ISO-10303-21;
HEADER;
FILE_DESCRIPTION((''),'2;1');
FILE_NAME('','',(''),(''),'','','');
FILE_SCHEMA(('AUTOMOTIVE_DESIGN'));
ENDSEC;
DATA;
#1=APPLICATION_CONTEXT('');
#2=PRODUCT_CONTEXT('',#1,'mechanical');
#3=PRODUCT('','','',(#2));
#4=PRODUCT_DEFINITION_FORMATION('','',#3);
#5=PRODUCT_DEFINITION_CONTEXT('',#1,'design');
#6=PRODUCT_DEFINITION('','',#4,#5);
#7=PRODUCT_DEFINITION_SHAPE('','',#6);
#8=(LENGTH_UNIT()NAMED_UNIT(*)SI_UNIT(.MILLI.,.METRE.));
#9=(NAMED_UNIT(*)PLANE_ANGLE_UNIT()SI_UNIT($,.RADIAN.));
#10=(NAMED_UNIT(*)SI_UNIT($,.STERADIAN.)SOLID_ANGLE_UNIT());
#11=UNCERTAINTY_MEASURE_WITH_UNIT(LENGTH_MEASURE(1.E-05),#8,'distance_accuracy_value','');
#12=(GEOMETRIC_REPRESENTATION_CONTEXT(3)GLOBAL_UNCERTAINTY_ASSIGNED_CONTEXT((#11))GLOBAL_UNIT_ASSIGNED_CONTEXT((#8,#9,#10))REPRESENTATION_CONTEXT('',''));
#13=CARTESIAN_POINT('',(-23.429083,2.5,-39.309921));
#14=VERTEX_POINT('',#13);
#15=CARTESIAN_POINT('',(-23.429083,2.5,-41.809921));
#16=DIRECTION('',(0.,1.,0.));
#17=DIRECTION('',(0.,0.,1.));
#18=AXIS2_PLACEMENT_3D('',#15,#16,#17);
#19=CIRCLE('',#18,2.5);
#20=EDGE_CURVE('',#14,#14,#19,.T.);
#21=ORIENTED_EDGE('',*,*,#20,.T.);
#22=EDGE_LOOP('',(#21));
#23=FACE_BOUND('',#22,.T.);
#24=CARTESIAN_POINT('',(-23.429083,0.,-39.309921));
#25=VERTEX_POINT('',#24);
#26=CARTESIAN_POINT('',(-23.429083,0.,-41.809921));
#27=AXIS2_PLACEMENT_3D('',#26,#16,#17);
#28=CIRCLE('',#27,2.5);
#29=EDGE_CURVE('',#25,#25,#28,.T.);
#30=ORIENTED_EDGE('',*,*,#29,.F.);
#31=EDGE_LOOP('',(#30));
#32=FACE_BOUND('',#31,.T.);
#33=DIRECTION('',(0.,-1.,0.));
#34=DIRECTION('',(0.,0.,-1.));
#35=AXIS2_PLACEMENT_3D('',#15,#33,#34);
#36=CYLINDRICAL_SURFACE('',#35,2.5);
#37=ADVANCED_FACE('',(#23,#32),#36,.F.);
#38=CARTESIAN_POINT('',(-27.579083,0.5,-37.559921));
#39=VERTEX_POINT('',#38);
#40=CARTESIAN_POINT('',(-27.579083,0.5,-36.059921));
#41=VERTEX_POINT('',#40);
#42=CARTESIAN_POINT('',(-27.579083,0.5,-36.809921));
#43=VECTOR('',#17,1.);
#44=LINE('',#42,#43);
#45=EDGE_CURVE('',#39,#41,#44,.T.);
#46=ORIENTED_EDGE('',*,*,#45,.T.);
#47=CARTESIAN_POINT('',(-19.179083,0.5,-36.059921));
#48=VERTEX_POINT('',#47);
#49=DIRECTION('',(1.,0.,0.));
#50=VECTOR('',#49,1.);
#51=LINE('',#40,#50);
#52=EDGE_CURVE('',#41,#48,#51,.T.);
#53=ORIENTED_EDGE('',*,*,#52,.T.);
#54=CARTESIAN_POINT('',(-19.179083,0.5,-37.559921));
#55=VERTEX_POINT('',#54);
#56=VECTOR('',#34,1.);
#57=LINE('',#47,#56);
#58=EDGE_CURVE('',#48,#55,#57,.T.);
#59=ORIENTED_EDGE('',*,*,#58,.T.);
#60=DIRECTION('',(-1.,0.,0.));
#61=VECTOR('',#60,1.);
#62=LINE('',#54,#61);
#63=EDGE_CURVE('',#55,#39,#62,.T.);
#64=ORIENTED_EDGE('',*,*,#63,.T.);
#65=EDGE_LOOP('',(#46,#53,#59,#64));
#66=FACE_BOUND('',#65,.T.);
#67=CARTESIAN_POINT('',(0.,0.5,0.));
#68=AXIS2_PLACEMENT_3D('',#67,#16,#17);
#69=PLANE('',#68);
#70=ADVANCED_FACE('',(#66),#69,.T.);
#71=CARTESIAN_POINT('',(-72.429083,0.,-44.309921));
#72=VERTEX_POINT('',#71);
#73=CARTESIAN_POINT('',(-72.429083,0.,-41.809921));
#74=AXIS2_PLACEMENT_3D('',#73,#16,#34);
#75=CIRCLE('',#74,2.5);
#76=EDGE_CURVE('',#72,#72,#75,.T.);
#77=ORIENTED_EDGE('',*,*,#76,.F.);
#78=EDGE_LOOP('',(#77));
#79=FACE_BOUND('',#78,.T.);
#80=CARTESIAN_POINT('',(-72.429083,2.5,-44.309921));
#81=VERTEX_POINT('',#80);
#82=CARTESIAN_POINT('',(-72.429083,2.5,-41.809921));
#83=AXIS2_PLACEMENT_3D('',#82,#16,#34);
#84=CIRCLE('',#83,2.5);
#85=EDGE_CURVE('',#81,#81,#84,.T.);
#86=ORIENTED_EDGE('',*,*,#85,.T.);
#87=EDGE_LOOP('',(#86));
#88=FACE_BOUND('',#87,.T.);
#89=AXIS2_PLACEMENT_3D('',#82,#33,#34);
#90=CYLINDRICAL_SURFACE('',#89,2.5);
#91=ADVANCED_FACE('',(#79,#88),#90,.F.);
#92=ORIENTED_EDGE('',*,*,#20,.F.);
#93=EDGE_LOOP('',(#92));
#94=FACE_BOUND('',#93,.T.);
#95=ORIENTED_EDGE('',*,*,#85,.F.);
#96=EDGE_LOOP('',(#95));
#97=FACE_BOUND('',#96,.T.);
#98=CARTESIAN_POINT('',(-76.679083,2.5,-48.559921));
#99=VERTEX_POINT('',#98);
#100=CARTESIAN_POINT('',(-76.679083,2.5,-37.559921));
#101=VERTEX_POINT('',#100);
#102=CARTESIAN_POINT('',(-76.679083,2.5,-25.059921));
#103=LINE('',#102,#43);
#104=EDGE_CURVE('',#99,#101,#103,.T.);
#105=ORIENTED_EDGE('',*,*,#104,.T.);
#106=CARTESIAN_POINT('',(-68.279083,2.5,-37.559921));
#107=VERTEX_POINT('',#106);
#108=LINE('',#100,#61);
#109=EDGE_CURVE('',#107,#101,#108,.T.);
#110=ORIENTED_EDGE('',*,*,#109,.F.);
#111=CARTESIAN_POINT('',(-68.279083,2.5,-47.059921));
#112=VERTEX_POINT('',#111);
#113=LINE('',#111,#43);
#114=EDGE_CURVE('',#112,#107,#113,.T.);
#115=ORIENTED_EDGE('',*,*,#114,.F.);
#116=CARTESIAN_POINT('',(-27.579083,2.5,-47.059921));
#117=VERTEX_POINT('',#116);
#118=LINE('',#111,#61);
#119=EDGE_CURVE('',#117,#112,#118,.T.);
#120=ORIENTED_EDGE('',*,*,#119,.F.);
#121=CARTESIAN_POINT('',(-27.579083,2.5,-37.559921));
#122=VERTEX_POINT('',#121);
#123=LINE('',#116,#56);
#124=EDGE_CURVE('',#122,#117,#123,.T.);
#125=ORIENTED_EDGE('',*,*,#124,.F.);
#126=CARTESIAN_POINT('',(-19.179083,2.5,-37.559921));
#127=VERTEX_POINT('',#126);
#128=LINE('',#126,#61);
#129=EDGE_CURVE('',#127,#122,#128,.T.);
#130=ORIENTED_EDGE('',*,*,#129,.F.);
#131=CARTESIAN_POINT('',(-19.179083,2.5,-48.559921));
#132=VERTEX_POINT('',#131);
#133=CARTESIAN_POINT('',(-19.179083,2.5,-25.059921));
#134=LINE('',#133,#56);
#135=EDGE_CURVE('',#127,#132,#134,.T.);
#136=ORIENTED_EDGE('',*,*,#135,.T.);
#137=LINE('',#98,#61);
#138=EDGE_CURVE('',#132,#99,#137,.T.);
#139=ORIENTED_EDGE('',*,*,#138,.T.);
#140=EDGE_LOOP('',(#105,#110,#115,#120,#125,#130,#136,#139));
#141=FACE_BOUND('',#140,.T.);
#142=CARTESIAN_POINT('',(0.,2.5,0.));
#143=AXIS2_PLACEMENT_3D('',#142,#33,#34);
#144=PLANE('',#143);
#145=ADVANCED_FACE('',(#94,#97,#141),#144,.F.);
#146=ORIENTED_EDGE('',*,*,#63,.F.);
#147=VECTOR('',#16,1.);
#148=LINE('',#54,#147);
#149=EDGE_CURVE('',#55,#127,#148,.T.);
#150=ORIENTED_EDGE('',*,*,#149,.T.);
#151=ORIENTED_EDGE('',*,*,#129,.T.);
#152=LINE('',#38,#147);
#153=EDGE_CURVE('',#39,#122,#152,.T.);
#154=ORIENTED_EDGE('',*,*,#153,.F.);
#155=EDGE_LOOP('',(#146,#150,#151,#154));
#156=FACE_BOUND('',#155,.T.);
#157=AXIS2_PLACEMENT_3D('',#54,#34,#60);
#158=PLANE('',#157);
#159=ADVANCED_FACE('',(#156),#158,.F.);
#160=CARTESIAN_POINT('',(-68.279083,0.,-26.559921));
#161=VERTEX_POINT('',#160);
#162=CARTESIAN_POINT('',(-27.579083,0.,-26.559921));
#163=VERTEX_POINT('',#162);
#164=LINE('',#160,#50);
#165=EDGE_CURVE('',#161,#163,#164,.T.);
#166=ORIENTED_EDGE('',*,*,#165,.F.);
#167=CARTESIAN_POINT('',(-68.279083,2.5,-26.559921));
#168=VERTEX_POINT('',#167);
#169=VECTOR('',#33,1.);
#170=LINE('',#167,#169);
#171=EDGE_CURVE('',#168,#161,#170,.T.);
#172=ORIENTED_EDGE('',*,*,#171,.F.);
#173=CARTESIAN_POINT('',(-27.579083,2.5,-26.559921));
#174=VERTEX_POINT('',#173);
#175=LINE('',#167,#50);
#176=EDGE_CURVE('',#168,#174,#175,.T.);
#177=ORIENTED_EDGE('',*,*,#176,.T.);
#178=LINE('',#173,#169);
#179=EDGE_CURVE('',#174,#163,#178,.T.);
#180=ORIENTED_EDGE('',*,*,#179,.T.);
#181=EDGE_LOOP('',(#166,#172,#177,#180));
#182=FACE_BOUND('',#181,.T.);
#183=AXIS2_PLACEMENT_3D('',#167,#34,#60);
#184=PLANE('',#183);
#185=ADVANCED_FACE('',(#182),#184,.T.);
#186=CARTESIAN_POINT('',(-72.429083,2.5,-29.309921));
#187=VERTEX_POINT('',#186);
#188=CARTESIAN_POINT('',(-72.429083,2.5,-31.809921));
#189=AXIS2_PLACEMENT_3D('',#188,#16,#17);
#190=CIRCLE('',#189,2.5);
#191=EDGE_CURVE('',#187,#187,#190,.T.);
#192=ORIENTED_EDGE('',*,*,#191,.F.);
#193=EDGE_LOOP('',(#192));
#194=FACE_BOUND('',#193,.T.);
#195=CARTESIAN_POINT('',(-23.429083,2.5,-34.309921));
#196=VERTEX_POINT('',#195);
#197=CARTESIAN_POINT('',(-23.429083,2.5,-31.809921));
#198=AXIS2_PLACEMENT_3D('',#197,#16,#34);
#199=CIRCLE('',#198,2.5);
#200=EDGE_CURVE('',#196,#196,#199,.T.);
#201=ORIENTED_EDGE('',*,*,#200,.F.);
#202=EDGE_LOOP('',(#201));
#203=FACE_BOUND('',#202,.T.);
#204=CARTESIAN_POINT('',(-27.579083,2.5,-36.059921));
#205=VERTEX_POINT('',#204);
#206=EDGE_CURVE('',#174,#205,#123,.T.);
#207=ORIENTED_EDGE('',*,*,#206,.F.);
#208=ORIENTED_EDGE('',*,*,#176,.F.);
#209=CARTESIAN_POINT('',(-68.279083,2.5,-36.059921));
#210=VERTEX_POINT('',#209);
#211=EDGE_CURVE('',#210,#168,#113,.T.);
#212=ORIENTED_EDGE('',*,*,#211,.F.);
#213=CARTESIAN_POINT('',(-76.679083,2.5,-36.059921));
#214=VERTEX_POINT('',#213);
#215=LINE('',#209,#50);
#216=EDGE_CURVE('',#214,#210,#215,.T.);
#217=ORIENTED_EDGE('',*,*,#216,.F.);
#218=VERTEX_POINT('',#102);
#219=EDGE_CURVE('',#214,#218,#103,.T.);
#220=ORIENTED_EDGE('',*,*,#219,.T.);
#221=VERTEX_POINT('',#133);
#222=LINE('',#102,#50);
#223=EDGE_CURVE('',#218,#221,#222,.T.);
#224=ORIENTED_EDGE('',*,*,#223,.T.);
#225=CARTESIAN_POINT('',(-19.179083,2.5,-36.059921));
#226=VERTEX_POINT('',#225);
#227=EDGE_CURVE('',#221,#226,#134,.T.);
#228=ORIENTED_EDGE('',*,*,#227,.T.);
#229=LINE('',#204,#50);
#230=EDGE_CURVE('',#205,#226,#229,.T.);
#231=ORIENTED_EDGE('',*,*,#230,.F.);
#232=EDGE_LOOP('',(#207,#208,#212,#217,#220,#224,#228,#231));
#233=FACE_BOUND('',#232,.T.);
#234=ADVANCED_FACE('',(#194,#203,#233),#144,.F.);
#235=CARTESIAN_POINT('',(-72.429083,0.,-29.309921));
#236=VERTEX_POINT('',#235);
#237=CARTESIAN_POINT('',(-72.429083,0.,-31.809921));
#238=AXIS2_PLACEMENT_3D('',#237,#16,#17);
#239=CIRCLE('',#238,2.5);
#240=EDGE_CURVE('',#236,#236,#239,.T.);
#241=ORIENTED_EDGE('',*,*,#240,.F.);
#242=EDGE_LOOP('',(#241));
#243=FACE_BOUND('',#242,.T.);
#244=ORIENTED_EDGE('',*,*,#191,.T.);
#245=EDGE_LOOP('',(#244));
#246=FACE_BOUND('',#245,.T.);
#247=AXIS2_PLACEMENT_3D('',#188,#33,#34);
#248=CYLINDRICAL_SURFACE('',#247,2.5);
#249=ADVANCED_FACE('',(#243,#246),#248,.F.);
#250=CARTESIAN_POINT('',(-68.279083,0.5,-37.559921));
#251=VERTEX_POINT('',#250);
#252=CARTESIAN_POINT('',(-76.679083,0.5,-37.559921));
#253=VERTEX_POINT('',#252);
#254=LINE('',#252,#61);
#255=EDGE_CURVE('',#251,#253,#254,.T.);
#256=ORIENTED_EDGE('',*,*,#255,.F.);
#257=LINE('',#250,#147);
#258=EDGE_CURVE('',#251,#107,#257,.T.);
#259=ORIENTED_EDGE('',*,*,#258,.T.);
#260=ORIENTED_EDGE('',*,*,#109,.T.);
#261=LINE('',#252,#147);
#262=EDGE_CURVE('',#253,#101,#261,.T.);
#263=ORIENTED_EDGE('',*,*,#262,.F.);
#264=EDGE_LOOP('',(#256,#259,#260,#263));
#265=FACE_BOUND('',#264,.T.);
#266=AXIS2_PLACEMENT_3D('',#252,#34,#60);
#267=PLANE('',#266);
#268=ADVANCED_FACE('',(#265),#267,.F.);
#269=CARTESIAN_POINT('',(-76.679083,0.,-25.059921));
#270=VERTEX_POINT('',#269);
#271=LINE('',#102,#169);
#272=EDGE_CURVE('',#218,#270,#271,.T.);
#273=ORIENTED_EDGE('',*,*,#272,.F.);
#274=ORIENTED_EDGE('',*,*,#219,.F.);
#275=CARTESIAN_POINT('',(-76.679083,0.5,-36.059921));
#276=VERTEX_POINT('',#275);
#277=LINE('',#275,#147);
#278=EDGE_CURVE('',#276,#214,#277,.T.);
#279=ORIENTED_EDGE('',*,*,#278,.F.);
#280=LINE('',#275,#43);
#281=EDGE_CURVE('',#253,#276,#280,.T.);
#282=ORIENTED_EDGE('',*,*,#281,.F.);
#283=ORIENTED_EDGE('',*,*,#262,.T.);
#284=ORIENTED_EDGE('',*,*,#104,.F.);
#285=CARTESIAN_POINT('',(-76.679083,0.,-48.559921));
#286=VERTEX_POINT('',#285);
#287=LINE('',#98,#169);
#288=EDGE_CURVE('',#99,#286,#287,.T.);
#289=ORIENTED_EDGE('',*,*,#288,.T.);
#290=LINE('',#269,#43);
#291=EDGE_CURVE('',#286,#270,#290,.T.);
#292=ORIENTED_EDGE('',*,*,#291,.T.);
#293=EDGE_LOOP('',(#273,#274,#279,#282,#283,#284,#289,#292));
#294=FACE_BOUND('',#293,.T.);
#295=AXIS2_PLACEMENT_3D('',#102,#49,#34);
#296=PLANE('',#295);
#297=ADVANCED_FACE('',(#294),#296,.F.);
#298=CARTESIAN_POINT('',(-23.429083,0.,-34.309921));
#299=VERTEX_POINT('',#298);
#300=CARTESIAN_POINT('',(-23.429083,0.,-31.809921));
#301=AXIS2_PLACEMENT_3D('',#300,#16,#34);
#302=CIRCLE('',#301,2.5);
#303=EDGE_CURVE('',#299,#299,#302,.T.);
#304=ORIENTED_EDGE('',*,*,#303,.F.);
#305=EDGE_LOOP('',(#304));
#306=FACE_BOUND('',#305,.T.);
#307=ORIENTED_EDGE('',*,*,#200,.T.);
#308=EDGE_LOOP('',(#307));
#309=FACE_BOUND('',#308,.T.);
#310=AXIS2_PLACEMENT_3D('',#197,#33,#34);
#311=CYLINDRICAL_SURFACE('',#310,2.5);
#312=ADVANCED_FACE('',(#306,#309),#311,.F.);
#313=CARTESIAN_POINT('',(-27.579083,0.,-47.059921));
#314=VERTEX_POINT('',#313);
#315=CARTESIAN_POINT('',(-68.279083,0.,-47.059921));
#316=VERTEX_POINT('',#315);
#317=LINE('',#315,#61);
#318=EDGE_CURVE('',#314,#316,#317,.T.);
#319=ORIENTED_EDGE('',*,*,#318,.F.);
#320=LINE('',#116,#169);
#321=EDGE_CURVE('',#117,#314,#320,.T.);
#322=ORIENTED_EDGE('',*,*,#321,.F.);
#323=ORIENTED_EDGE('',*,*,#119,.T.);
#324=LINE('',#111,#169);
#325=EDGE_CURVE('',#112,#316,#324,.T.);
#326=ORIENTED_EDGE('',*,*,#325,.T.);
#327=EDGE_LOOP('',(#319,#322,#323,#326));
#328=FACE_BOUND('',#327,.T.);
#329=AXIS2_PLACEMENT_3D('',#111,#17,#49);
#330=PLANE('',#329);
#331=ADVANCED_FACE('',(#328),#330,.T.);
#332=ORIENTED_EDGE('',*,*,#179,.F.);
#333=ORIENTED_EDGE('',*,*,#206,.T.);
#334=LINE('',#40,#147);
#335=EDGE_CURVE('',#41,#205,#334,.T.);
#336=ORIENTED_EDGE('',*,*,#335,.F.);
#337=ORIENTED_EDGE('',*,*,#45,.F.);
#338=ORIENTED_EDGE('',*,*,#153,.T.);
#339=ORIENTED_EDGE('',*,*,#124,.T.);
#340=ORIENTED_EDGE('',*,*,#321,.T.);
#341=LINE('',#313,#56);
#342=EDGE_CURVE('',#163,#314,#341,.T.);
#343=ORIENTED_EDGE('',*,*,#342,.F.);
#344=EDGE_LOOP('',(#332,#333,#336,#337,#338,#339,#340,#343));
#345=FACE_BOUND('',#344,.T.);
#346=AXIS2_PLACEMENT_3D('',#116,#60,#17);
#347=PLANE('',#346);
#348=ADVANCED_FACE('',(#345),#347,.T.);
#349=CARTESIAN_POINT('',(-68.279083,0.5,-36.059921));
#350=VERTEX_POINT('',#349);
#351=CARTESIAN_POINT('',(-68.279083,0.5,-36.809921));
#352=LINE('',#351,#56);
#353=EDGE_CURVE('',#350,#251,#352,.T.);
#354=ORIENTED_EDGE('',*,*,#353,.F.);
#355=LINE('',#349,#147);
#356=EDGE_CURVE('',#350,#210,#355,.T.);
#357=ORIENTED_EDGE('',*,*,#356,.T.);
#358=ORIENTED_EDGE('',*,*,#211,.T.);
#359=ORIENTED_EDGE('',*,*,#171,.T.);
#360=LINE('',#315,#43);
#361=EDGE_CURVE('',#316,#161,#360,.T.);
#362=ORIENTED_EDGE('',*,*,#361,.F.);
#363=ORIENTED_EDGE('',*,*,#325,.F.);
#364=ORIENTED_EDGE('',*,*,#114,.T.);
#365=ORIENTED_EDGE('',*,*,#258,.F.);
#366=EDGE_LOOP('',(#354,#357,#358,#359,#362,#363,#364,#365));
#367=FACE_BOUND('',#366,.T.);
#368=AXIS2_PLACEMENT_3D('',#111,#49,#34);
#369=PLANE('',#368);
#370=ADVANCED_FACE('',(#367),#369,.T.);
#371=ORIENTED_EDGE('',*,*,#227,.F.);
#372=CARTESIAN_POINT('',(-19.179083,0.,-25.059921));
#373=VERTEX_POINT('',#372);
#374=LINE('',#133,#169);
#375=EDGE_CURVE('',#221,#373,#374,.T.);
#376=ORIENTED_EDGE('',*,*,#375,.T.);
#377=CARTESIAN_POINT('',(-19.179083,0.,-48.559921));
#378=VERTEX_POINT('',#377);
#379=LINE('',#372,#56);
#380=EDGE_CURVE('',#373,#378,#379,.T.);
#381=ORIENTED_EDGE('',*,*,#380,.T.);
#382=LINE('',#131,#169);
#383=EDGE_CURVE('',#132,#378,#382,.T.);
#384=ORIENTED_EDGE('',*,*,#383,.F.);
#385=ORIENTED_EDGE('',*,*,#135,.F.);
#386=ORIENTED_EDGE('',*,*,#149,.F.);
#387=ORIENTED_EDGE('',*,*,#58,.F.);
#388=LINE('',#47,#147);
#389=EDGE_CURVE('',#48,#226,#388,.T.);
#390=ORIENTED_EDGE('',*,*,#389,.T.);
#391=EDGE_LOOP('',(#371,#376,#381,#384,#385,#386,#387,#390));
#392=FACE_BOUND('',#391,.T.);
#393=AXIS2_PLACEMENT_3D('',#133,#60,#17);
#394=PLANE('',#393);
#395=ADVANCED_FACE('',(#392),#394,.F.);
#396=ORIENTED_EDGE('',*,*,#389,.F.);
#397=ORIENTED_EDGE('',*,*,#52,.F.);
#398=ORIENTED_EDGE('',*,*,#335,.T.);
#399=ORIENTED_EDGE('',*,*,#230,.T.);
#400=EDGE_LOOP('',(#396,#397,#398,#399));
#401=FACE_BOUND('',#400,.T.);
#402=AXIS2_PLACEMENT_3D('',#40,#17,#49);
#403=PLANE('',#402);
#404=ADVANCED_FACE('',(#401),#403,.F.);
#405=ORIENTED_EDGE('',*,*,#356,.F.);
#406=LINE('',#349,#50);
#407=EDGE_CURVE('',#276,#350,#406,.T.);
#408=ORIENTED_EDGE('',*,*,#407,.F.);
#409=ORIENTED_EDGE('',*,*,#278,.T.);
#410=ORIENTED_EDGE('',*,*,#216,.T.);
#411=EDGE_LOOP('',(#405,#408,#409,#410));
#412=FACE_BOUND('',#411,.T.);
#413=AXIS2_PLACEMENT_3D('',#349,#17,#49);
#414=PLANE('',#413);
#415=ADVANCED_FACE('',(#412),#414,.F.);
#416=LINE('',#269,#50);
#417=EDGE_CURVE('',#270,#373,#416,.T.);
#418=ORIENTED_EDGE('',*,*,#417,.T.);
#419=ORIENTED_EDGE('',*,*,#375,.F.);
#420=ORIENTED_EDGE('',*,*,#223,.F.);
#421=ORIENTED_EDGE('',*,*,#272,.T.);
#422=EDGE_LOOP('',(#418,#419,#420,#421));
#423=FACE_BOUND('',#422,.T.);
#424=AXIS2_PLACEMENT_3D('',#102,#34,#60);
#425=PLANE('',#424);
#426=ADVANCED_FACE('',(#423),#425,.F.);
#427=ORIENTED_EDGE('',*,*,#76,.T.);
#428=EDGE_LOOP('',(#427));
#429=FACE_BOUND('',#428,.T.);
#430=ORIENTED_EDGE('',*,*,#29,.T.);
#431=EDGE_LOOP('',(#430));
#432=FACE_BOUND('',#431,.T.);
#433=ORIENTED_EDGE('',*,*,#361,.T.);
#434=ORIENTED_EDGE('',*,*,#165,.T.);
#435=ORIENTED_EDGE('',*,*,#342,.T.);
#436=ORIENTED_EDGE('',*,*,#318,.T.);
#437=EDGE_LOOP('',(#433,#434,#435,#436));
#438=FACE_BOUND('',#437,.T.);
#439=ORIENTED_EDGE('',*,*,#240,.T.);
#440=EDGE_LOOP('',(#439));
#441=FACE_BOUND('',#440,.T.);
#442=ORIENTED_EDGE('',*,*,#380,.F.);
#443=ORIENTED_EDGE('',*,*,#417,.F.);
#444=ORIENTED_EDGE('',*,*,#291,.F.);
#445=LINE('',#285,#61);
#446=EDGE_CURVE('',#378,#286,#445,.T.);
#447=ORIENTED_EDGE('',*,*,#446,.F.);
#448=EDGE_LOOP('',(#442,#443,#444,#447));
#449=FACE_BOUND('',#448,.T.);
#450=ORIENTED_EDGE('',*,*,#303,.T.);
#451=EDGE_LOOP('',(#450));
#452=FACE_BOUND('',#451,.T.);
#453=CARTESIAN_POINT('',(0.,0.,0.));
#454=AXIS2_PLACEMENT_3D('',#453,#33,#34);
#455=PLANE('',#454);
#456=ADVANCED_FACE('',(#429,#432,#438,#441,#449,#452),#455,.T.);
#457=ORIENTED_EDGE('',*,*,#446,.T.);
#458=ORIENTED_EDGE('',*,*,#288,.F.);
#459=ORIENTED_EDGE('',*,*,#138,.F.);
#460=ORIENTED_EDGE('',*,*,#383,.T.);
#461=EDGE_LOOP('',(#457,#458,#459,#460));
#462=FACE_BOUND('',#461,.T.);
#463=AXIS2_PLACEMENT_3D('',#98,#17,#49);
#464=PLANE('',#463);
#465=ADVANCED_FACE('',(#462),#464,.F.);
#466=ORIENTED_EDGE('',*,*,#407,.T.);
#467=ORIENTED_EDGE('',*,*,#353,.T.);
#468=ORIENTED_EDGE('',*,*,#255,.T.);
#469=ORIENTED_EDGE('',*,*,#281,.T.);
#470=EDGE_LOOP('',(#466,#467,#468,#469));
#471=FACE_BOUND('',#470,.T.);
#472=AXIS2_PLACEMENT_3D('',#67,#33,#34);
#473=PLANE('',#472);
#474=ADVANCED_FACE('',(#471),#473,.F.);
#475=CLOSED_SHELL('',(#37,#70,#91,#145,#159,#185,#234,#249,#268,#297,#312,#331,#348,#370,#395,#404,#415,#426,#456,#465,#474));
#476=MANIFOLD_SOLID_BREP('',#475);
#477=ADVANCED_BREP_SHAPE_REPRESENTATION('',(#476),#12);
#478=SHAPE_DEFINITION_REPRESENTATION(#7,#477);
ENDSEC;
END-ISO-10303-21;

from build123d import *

# Parameters (mm, degrees)
SKETCH2_W           = 57.5
SKETCH2_H           = 23.5
SKETCH2_R           = 2.5
SKETCH2_W_2         = 40.7
SKETCH2_H_2         = 20.5
BOSS_EXTRUDE1_DEPTH = 2.5
CUT_EXTRUDE1_DEPTH  = 2


with BuildPart() as part:
    # Sketch2 → Boss-Extrude1 (new body)
    with BuildSketch(Plane(origin=(0, 0, 0), x_dir=(1, 0, 0), z_dir=(0, 1, 0))):
        with Locations((-47.929083034, 36.809921321)):
            Rectangle(SKETCH2_W, SKETCH2_H)
        with Locations(Location((-23.429083034, 41.809921321, 0), (0, 0, 270))):
            Circle(SKETCH2_R, mode=Mode.SUBTRACT)
        with Locations(Location((-23.429083034, 31.809921321, 0), (0, 0, 90))):
            Circle(SKETCH2_R, mode=Mode.SUBTRACT)
        with Locations(Location((-72.429083034, 31.809921321, 0), (0, 0, 270))):
            Circle(SKETCH2_R, mode=Mode.SUBTRACT)
        with Locations(Location((-72.429083034, 41.809921321, 0), (0, 0, 90))):
            Circle(SKETCH2_R, mode=Mode.SUBTRACT)
        with Locations((-47.929083034, 36.809921321)):
            Rectangle(SKETCH2_W_2, SKETCH2_H_2, mode=Mode.SUBTRACT)
    extrude(amount=BOSS_EXTRUDE1_DEPTH)

    # Sketch3 → Cut-Extrude1 (cut)
    with BuildSketch(Plane(origin=(0, 2.5, 0), x_dir=(1, 0, 0), z_dir=(0, 1, 0))):
        Polygon((-27.579083034, 36.809921321), (-27.579083034, 36.059921321), (-19.179083034, 36.059921321), (-19.179083034, 37.559921321), (-27.579083034, 37.559921321), align=None)
        Polygon((-76.679083034, 37.559921321), (-68.279083034, 37.559921321), (-68.279083034, 36.809921321), (-68.279083034, 36.059921321), (-76.679083034, 36.059921321), align=None)
    extrude(amount=-CUT_EXTRUDE1_DEPTH, mode=Mode.SUBTRACT)


solid = part.part
